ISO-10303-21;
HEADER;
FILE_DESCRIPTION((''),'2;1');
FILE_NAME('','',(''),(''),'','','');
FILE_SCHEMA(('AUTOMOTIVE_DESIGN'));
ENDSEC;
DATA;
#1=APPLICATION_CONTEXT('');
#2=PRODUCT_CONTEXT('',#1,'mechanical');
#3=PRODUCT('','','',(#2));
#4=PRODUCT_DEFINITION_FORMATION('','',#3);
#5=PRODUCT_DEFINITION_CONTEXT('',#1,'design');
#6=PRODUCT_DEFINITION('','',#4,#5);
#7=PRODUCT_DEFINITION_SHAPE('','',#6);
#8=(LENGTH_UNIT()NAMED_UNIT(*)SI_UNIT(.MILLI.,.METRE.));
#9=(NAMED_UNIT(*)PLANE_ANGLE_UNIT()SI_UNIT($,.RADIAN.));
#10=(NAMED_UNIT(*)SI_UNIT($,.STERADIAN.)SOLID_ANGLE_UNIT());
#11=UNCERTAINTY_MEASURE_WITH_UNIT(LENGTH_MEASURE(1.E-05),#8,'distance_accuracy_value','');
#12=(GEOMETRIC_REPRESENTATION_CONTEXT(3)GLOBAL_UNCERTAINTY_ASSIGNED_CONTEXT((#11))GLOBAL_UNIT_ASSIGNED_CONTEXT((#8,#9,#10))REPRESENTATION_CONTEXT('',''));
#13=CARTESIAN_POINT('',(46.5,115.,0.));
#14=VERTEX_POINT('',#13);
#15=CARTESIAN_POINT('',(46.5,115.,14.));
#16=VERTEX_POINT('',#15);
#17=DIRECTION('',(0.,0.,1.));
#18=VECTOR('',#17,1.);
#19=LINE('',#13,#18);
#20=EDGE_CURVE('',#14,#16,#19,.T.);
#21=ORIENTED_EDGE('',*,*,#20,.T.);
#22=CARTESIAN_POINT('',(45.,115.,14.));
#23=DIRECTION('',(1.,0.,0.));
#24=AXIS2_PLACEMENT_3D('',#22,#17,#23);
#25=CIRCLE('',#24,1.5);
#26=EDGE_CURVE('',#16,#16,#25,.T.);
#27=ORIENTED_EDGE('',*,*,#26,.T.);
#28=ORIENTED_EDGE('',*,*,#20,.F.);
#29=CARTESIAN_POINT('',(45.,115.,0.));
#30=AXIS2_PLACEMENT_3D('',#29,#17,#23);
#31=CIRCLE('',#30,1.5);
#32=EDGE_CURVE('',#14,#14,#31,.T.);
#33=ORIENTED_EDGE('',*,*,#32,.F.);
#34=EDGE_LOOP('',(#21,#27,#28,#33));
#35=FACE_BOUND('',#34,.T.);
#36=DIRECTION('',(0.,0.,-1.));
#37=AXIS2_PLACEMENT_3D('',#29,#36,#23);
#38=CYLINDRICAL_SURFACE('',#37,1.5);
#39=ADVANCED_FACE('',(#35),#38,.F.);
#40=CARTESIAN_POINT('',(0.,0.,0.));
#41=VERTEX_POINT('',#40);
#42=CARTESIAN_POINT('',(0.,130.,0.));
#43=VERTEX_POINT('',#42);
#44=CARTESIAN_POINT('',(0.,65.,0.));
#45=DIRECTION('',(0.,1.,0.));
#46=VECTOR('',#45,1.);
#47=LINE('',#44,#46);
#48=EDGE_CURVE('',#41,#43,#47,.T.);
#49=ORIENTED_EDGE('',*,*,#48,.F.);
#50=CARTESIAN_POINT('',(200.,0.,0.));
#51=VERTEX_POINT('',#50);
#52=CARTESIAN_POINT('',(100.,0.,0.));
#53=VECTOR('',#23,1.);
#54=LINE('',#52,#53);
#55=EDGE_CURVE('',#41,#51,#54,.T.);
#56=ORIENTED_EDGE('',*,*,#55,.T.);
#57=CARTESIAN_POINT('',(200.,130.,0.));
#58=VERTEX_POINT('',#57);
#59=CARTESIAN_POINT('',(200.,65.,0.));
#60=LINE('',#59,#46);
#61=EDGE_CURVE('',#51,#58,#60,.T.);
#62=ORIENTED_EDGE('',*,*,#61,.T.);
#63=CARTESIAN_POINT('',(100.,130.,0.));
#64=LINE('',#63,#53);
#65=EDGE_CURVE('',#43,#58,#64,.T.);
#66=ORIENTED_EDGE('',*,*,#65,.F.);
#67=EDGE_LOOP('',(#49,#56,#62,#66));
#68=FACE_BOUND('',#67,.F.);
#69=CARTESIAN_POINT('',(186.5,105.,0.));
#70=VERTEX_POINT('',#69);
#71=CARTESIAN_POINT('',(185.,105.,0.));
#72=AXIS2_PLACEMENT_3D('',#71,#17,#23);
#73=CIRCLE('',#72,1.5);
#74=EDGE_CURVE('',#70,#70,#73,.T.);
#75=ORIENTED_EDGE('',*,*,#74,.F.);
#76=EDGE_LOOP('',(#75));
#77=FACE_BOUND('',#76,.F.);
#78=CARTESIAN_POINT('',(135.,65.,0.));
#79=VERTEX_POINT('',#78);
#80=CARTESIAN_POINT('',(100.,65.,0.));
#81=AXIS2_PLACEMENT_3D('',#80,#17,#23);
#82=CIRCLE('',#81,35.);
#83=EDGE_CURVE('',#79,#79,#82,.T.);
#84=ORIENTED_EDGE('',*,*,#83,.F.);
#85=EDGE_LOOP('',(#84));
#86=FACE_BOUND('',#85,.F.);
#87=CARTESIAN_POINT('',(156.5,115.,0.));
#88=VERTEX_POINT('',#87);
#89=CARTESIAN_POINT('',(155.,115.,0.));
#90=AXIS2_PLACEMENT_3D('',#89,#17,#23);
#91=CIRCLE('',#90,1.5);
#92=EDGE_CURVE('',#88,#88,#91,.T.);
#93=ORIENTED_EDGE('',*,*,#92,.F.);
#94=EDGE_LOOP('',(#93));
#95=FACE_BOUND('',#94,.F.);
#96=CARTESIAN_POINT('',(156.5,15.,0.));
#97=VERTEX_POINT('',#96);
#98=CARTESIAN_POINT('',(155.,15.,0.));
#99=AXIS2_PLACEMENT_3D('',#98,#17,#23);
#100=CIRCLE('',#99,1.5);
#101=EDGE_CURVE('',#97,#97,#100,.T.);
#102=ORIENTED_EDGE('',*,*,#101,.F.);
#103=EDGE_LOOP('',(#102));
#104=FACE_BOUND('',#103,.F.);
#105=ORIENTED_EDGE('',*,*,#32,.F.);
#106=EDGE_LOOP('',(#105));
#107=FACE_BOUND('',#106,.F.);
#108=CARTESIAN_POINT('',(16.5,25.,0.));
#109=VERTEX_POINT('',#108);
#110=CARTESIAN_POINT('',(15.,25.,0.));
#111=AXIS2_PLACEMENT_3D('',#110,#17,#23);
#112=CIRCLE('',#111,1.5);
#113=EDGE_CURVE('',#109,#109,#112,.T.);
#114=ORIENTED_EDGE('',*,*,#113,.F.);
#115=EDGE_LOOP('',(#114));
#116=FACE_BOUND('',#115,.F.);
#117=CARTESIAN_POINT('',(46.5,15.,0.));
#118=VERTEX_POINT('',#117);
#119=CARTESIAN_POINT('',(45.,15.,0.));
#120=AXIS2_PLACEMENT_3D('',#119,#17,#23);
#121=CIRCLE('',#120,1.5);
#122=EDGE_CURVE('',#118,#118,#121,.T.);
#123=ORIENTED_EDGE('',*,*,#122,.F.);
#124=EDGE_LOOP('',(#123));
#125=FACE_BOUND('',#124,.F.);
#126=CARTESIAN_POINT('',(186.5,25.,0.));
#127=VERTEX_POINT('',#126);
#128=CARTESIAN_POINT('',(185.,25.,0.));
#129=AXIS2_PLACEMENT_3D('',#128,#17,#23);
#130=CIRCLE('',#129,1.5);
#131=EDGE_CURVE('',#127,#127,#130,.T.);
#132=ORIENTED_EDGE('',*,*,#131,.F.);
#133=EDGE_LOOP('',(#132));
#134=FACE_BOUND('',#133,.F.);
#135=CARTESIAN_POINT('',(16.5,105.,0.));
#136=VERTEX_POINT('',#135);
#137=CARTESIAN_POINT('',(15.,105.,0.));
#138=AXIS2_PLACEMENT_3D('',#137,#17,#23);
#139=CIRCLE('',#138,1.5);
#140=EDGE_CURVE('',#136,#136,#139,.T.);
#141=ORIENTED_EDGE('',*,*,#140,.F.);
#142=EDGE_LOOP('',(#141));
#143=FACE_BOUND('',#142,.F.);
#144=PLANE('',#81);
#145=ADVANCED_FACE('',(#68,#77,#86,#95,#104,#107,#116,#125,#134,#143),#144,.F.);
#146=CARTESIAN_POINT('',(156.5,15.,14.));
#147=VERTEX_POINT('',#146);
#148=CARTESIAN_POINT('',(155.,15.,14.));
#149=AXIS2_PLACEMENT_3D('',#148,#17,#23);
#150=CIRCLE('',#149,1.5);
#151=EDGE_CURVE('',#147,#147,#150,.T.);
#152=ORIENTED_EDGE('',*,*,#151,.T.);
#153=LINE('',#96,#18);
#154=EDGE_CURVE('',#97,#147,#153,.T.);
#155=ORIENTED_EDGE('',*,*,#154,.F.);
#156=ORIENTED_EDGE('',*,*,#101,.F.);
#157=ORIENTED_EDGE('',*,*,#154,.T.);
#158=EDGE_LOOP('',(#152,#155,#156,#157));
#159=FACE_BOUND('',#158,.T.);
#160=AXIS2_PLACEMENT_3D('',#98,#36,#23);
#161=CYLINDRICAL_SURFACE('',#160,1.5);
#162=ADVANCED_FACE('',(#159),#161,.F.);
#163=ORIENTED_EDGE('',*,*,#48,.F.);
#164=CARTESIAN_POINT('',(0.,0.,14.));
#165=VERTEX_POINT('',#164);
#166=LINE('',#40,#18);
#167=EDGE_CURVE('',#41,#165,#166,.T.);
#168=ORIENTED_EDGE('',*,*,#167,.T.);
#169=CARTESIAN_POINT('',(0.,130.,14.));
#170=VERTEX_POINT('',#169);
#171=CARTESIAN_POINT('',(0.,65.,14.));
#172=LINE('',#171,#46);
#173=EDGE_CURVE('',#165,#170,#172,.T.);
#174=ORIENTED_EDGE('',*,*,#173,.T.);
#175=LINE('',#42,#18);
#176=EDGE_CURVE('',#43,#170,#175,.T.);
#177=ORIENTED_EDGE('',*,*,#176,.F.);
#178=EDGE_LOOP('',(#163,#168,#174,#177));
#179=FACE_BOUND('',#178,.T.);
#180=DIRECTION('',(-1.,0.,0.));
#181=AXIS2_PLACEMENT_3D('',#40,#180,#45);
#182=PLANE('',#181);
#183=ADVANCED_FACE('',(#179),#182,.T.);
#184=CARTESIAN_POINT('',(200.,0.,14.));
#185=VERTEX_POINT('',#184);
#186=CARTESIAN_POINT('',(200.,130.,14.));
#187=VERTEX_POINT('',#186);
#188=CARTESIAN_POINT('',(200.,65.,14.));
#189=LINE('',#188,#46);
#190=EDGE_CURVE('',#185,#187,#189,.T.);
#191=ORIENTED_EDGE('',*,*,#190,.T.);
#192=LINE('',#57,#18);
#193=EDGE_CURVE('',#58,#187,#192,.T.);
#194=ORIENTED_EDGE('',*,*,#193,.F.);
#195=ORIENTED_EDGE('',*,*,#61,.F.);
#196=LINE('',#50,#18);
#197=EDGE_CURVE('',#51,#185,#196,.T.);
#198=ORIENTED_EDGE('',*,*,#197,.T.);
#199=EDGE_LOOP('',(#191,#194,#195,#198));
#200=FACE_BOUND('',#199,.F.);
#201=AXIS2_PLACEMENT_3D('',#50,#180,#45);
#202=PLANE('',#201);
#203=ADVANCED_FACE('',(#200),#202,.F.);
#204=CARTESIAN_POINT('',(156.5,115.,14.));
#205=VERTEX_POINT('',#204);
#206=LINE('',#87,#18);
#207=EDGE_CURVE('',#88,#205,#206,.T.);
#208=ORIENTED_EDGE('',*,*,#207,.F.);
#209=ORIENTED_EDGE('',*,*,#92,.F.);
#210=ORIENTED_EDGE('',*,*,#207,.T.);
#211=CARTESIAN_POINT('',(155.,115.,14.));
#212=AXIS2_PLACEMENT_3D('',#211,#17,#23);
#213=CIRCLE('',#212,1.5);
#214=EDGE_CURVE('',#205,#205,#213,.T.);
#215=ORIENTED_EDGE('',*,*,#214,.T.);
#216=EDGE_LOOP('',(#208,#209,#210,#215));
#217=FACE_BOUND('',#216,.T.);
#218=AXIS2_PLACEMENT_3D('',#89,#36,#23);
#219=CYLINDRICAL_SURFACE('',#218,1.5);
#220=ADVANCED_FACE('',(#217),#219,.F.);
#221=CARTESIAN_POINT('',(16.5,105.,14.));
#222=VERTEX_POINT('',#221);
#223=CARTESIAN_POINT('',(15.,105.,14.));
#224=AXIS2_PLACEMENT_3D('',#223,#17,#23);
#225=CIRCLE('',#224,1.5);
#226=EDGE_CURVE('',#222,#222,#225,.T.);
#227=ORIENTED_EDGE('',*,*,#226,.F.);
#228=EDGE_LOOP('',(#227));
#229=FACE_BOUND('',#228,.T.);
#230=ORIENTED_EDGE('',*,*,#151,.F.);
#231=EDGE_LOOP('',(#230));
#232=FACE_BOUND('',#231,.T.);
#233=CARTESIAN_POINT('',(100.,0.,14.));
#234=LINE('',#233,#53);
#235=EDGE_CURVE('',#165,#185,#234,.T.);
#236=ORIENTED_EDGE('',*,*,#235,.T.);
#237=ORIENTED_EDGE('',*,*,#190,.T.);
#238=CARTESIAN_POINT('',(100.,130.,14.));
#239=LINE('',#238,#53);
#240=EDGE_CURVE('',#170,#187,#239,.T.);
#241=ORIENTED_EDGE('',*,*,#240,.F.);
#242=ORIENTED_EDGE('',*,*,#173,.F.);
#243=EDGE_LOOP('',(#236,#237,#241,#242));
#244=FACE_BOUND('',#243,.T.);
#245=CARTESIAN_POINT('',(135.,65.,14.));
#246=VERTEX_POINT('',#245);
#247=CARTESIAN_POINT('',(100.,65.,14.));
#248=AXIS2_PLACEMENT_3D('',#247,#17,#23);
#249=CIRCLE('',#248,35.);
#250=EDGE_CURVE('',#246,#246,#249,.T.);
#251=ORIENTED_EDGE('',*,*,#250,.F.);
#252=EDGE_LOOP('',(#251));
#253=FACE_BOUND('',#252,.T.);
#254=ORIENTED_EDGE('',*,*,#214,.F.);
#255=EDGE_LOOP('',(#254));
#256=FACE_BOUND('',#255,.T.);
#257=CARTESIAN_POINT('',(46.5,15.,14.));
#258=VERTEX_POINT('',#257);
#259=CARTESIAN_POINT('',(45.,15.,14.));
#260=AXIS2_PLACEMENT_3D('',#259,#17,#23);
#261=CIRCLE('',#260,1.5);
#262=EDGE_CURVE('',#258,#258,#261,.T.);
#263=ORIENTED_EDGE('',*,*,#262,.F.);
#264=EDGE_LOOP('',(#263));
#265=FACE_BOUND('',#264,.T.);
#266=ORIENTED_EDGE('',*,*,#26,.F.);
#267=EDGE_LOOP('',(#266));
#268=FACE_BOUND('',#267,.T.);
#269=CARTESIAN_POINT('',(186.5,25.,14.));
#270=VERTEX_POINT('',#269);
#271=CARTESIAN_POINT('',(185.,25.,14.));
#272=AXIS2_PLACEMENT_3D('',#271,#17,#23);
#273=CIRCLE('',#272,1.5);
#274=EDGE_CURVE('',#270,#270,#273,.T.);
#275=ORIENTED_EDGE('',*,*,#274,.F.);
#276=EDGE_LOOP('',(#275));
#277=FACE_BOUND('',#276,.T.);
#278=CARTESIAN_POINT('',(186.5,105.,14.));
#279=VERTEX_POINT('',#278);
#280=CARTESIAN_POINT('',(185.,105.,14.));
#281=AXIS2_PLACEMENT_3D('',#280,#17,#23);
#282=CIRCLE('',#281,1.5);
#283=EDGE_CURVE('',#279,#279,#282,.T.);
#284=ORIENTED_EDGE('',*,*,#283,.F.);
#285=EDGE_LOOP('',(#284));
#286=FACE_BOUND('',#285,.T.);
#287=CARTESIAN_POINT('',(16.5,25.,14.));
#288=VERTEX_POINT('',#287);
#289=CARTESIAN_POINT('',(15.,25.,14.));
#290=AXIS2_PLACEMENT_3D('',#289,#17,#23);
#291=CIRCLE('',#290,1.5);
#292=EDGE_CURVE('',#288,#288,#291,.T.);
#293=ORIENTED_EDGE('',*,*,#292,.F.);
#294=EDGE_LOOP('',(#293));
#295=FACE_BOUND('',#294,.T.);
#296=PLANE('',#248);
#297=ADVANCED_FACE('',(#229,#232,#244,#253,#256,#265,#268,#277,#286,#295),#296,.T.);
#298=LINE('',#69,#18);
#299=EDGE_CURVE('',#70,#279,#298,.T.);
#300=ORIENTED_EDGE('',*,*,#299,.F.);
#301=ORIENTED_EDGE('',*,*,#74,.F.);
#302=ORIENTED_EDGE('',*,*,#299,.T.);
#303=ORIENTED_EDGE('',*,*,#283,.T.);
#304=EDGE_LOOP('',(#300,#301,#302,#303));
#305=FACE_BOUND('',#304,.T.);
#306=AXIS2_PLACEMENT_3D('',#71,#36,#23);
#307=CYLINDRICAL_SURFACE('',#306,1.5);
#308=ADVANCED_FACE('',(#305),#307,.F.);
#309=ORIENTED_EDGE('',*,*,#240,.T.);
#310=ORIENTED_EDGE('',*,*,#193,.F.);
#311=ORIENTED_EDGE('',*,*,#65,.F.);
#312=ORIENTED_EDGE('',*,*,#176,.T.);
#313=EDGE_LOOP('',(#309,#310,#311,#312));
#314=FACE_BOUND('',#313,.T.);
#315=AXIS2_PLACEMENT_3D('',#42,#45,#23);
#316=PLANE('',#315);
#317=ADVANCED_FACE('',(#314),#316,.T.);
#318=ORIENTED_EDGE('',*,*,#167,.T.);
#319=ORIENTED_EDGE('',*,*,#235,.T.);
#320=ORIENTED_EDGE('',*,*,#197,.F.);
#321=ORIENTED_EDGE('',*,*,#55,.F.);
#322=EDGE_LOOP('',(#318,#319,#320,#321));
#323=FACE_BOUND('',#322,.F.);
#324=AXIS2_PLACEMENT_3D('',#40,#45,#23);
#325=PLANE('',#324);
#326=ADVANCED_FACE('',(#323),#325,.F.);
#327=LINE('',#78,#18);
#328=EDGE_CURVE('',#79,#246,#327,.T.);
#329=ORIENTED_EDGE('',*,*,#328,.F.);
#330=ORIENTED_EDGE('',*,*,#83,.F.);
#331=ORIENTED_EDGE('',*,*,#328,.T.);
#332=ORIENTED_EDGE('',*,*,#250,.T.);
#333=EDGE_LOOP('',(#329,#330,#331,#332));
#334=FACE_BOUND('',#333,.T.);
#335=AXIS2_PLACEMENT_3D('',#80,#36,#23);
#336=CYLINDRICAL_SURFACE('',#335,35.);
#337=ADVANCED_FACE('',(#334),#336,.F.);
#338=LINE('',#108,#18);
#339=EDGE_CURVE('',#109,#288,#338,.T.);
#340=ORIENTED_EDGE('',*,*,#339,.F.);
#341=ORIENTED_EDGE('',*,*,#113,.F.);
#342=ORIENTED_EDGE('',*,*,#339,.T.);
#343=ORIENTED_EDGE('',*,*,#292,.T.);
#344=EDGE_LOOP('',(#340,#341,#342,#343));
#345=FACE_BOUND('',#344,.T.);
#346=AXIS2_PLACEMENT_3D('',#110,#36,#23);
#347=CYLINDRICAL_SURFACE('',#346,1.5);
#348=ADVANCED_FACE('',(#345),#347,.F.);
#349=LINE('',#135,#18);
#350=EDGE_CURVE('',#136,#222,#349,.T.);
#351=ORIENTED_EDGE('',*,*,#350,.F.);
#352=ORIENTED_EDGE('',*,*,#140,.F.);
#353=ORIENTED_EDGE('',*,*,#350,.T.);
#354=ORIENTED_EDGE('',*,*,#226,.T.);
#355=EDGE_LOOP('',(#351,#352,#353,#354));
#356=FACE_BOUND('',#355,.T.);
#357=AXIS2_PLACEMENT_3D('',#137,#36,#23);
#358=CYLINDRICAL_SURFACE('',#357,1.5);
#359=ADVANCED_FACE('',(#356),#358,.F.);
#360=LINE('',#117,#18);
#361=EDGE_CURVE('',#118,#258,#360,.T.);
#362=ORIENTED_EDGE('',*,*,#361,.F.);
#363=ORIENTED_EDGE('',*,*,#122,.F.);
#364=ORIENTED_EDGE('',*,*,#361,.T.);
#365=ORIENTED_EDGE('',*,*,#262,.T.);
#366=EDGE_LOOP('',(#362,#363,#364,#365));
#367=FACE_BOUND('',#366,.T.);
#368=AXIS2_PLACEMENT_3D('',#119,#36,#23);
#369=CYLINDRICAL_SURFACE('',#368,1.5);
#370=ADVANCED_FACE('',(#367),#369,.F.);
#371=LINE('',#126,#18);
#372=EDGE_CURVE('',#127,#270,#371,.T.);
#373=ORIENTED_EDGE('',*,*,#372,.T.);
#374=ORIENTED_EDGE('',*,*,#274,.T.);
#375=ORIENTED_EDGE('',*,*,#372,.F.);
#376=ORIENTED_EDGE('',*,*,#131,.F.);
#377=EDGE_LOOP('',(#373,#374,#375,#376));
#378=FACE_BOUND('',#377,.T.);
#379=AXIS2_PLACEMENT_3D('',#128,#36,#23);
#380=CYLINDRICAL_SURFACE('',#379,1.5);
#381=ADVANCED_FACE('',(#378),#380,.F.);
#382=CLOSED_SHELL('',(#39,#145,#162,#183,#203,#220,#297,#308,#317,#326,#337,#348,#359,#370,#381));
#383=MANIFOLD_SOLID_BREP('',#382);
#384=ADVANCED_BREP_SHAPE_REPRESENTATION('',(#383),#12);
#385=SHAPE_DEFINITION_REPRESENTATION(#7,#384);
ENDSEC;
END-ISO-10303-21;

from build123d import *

# Parameters (mm, degrees)
SKETCH_W   = 200
SKETCH_H   = 130
SKETCH_R   = 35
SKETCH_R_2 = 1.5
PAD_DEPTH  = 14


with BuildPart() as part:
    # Sketch → Pad (new body)
    with BuildSketch(Plane.XY):
        with Locations((100, 65)):
            Rectangle(SKETCH_W, SKETCH_H)
        with Locations((100, 65)):
            Circle(SKETCH_R, mode=Mode.SUBTRACT)
        with Locations((45, 115)):
            Circle(SKETCH_R_2, mode=Mode.SUBTRACT)
        with Locations((45, 15)):
            Circle(SKETCH_R_2, mode=Mode.SUBTRACT)
        with Locations((155, 115)):
            Circle(SKETCH_R_2, mode=Mode.SUBTRACT)
        with Locations((155, 15)):
            Circle(SKETCH_R_2, mode=Mode.SUBTRACT)
        with Locations((15, 105)):
            Circle(SKETCH_R_2, mode=Mode.SUBTRACT)
        with Locations((15, 25)):
            Circle(SKETCH_R_2, mode=Mode.SUBTRACT)
        with Locations((185, 105)):
            Circle(SKETCH_R_2, mode=Mode.SUBTRACT)
        with Locations((185, 25)):
            Circle(SKETCH_R_2, mode=Mode.SUBTRACT)
    extrude(amount=PAD_DEPTH)


solid = part.part
